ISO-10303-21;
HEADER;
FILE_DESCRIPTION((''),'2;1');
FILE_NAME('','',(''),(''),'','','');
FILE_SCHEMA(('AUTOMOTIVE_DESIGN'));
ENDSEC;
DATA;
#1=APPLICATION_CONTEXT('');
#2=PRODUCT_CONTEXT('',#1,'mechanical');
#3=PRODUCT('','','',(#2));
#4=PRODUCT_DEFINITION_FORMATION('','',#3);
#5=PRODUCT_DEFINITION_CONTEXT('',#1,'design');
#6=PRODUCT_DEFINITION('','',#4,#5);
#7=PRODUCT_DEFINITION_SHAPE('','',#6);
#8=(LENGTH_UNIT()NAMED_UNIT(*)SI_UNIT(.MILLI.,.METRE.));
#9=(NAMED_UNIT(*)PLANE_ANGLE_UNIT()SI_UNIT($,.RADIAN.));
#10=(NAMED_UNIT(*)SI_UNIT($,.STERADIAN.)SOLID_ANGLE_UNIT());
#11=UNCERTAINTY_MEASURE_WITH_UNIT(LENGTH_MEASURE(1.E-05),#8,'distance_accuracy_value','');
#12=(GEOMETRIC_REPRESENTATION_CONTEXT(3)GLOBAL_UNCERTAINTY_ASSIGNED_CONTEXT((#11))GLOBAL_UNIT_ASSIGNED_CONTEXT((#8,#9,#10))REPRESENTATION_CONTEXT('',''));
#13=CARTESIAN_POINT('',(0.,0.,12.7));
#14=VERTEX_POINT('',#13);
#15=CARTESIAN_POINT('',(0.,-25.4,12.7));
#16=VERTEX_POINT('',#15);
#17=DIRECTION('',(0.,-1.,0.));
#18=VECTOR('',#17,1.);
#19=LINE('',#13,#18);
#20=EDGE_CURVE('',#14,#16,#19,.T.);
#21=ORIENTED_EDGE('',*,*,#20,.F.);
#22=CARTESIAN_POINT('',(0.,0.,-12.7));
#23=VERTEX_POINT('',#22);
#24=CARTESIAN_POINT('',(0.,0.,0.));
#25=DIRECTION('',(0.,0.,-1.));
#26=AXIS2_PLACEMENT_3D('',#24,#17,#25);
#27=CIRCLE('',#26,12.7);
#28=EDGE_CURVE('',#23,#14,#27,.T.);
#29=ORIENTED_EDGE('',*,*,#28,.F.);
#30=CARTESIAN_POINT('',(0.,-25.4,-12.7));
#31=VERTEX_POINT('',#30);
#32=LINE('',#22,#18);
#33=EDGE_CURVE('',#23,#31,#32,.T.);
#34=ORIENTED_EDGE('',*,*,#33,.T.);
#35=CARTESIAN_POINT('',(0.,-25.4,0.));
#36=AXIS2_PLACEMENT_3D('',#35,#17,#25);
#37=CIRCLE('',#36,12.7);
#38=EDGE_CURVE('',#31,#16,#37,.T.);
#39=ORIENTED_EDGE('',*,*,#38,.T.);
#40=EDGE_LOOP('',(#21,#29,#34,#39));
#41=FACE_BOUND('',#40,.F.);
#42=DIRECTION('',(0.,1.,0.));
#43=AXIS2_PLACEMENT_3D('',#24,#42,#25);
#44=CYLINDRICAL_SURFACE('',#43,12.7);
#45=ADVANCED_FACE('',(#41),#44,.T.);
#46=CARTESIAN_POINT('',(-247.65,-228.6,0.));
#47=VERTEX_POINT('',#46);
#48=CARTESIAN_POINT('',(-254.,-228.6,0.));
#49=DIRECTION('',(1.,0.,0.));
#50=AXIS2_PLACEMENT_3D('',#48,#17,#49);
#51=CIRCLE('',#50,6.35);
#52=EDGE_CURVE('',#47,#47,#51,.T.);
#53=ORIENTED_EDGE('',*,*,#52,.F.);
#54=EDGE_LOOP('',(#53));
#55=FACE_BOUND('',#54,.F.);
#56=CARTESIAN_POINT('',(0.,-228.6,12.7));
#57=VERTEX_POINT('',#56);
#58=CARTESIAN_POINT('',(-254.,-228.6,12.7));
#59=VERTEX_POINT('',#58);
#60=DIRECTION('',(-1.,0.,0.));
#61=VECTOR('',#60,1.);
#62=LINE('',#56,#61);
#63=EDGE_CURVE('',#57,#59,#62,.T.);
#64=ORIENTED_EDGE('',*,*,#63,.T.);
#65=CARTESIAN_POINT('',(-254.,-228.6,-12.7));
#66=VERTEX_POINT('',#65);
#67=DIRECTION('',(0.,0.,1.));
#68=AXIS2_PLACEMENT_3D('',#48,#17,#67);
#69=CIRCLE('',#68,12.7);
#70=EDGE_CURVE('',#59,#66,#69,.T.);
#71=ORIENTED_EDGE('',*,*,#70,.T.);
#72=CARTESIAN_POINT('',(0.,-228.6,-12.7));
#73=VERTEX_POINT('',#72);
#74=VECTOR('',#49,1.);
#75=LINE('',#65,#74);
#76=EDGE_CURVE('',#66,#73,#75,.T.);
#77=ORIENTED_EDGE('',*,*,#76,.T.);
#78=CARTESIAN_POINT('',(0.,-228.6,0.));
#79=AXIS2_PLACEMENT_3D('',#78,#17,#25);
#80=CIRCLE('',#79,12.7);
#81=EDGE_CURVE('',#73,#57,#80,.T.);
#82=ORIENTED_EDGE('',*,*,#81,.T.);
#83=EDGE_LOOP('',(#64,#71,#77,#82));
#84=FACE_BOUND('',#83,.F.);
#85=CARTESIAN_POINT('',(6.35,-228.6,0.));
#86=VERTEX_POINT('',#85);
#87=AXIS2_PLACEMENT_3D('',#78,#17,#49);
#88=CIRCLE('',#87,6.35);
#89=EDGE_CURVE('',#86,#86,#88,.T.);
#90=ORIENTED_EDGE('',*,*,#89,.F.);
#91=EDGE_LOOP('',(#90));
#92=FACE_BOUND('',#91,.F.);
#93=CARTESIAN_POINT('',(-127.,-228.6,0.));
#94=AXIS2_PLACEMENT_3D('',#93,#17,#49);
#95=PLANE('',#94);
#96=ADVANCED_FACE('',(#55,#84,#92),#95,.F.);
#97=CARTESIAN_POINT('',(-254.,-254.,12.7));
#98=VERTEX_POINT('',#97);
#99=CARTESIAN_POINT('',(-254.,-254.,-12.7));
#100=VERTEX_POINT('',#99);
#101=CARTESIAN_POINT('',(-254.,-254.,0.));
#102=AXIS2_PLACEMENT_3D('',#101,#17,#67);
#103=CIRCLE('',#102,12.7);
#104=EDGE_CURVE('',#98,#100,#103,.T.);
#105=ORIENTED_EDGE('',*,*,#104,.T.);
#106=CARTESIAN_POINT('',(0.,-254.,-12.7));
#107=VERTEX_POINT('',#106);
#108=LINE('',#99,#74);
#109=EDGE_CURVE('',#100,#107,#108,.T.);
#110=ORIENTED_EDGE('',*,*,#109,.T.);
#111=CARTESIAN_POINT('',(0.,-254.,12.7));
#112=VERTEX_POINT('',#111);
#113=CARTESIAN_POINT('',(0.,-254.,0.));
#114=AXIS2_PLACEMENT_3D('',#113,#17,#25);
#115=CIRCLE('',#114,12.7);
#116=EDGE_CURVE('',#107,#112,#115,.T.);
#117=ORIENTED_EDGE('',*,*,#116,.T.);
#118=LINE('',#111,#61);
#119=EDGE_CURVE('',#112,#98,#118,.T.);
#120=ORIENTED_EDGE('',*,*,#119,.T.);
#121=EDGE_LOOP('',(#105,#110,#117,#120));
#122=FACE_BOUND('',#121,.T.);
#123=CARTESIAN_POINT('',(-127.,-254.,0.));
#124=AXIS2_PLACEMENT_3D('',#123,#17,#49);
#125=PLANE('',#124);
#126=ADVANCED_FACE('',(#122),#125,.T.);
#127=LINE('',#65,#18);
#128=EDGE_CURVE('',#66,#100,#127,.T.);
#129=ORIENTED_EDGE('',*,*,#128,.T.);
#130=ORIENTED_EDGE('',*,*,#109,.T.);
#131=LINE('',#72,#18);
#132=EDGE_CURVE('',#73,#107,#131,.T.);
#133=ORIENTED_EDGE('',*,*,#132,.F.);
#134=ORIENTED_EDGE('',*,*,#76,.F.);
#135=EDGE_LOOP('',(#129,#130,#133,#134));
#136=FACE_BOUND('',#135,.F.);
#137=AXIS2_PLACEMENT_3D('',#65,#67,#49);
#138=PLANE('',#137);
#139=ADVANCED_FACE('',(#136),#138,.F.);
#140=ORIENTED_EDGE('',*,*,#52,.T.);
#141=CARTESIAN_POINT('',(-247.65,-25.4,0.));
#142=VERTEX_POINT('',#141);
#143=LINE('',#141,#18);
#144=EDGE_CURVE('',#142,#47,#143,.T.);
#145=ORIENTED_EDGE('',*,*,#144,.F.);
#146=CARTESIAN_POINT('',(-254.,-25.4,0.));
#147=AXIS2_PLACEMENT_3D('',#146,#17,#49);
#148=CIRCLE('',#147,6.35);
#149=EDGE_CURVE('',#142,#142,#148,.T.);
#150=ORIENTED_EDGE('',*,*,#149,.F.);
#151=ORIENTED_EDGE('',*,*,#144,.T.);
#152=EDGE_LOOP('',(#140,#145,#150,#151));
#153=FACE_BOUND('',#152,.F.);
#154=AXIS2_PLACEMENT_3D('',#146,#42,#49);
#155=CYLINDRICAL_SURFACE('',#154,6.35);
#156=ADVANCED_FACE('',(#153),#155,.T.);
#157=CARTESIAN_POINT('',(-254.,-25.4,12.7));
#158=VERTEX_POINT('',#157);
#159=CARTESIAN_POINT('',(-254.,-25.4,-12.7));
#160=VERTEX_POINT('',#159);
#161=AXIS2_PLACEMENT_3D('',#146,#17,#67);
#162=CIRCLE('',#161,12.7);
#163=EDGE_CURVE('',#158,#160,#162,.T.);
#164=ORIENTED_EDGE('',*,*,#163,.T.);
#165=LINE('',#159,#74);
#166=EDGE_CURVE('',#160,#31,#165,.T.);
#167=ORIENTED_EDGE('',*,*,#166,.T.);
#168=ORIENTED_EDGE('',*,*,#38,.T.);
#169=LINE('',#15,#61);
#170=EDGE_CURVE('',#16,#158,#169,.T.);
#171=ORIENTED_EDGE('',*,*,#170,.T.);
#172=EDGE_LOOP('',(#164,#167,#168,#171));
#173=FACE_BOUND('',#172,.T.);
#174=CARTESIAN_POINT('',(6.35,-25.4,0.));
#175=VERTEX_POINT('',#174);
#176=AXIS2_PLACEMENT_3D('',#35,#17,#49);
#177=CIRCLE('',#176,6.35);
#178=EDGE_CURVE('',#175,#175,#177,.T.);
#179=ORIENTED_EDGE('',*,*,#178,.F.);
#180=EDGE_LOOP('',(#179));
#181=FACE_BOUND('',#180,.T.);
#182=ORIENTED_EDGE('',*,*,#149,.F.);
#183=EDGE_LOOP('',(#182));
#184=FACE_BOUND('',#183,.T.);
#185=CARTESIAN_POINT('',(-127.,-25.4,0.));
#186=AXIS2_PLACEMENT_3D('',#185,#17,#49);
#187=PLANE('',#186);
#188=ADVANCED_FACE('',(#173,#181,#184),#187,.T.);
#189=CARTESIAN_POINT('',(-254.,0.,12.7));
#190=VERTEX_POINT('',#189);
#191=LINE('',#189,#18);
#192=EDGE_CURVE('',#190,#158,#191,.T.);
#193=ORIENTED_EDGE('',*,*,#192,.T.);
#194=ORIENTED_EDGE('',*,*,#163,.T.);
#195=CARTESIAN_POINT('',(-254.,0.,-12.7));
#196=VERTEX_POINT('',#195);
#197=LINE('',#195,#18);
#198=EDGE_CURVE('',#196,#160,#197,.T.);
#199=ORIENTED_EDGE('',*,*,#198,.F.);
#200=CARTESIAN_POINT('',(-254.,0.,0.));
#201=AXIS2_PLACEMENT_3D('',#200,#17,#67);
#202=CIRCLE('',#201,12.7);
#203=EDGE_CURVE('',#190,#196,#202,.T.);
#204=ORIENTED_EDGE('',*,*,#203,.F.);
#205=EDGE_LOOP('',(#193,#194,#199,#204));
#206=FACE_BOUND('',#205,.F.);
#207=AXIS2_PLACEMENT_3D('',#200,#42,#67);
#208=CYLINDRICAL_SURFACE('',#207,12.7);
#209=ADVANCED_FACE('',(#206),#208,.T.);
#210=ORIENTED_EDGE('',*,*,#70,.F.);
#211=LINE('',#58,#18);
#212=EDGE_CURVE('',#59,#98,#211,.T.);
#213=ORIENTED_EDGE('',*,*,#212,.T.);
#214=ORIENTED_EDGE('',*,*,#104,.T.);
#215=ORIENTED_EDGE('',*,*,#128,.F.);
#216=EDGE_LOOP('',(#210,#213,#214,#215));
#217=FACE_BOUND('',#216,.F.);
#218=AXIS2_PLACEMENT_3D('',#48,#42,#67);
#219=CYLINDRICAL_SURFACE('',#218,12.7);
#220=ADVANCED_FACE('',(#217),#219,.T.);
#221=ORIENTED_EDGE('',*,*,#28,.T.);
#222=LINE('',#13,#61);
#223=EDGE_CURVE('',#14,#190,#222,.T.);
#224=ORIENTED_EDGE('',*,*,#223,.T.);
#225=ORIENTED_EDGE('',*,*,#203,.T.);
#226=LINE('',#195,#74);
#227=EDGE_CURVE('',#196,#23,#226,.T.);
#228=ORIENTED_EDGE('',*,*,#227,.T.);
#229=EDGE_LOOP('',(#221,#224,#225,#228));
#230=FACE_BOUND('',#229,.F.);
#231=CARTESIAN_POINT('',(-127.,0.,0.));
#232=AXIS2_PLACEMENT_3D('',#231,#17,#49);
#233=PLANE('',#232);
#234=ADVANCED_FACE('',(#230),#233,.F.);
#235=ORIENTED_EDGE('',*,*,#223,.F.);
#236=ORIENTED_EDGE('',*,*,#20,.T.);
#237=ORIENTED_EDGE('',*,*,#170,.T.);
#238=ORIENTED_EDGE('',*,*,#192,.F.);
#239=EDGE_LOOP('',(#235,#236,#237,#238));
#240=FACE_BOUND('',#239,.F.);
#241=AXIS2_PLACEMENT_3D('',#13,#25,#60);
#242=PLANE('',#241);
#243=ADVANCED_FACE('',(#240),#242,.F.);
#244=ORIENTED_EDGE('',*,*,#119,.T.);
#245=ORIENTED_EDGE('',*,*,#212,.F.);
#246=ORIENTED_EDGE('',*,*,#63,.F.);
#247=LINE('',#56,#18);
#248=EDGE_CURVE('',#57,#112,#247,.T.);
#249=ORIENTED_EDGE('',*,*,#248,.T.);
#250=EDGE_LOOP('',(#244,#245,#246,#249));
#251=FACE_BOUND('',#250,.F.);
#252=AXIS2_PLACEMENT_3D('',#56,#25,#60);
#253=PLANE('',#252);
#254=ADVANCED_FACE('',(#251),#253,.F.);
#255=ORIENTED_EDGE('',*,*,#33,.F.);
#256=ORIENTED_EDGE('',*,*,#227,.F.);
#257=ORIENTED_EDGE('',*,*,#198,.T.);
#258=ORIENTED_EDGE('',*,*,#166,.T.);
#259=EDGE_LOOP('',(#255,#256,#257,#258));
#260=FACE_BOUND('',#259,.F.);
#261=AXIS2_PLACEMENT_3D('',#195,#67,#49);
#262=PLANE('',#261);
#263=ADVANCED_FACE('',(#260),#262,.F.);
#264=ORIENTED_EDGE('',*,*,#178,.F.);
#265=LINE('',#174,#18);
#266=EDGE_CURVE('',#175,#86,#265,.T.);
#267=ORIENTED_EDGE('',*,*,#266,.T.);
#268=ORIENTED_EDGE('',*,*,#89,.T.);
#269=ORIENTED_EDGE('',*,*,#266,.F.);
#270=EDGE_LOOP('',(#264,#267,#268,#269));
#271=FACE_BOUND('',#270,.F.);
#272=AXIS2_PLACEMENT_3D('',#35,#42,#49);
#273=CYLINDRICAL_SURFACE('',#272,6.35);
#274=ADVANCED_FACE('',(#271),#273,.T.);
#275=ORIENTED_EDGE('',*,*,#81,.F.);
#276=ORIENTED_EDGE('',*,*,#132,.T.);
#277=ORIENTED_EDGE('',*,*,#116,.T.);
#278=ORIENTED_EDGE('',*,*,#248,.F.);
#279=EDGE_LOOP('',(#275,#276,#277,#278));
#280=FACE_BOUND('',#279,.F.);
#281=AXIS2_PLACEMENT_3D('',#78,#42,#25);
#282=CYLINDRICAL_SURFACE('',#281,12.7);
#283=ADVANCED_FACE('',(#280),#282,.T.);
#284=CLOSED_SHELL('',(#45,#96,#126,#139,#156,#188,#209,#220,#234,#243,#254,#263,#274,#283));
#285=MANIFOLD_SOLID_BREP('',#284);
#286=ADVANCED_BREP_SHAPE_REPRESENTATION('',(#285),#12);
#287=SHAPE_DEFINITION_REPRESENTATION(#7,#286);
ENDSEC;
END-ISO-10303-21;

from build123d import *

# Parameters (mm, degrees)
F1_DEPTH = 25.4
F2_R     = 6.35
F3_DEPTH = 203.2
F4_R     = 6.35
F5_DEPTH = 25.4


with BuildPart() as f1:
    # F0 (on Front) → F1 (new body)
    with BuildSketch(Plane.XZ):
        with BuildLine():
            Line((-254, -12.7), (0, -12.7))
            ThreePointArc((0, -12.7), (12.7, 0), (0, 12.7))
            Line((0, 12.7), (-254, 12.7))
            ThreePointArc((-254, 12.7), (-266.7, 0), (-254, -12.7))
        make_face()
    extrude(amount=F1_DEPTH)

    # F2 (on face) → F3 (join)
    with BuildSketch(Plane.XZ.offset(25.4)):
        with Locations((-254, 0)):
            Circle(F2_R)
        Circle(F2_R)
    extrude(amount=F3_DEPTH)

    # F4 (on face) → F5 (join)
    with BuildSketch(Plane.XZ.offset(228.6)):
        with BuildLine():
            Line((0, 12.7), (-254, 12.7))
            ThreePointArc((-254, 12.7), (-266.7, 0), (-254, -12.7))
            Line((-254, -12.7), (0, -12.7))
            ThreePointArc((0, -12.7), (12.7, 0), (0, 12.7))
        make_face()
        with Locations((-254, 0)):
            Circle(F4_R)
    extrude(amount=F5_DEPTH)


solid = f1.part
